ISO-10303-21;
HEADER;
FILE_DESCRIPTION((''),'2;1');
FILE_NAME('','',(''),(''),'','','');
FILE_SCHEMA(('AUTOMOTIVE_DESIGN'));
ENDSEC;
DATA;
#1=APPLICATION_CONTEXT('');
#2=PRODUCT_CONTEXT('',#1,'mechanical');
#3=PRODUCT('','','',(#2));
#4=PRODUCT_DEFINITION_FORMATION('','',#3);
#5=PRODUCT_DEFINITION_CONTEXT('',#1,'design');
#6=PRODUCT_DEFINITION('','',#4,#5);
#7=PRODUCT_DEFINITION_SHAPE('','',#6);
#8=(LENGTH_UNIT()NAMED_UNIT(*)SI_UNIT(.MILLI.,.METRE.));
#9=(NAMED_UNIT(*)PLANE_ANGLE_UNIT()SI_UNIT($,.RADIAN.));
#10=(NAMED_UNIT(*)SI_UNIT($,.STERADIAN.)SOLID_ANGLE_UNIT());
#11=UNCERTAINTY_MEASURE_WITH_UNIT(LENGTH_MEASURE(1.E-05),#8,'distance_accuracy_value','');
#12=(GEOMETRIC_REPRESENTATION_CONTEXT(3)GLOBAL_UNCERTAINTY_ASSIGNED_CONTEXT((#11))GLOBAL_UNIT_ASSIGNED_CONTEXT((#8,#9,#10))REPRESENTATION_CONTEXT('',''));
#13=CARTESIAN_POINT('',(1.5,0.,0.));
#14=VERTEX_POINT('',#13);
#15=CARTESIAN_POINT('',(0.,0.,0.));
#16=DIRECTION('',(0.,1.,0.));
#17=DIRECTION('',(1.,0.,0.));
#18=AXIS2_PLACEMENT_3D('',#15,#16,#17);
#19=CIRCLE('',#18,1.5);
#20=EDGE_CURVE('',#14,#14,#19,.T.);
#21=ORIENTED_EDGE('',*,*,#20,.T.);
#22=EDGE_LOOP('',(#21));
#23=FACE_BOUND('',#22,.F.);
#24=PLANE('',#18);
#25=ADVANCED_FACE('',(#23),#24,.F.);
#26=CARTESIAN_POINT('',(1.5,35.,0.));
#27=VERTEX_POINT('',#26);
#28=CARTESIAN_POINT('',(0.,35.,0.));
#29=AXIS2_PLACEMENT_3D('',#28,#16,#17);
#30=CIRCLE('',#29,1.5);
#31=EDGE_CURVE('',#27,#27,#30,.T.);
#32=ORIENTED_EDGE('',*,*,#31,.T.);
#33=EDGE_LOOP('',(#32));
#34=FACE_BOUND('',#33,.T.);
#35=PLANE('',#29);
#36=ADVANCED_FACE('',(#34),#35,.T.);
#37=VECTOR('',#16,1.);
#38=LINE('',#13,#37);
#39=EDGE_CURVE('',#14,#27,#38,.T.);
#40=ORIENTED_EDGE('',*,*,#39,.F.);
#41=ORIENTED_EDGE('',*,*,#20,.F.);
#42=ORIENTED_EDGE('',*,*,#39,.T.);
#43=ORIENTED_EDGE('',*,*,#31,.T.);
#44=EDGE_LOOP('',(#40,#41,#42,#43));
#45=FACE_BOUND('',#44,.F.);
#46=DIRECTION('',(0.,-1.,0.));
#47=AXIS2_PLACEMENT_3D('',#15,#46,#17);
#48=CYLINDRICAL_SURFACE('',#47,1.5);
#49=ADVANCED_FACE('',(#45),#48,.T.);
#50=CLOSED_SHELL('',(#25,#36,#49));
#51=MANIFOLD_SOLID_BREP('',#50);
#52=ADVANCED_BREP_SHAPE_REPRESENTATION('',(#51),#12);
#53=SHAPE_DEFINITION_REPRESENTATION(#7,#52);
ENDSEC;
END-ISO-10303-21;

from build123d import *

# Parameters (mm, degrees)
ESQUISSE1_R      = 1.5
EXTRUSION1_DEPTH = 35


with BuildPart() as part:
    # Esquisse1 → Extrusion1 (new body)
    with BuildSketch(Plane(origin=(0, 0, 0), x_dir=(1, 0, 0), z_dir=(0, 1, 0))):
        Circle(ESQUISSE1_R)
    extrude(amount=EXTRUSION1_DEPTH)


solid = part.part
